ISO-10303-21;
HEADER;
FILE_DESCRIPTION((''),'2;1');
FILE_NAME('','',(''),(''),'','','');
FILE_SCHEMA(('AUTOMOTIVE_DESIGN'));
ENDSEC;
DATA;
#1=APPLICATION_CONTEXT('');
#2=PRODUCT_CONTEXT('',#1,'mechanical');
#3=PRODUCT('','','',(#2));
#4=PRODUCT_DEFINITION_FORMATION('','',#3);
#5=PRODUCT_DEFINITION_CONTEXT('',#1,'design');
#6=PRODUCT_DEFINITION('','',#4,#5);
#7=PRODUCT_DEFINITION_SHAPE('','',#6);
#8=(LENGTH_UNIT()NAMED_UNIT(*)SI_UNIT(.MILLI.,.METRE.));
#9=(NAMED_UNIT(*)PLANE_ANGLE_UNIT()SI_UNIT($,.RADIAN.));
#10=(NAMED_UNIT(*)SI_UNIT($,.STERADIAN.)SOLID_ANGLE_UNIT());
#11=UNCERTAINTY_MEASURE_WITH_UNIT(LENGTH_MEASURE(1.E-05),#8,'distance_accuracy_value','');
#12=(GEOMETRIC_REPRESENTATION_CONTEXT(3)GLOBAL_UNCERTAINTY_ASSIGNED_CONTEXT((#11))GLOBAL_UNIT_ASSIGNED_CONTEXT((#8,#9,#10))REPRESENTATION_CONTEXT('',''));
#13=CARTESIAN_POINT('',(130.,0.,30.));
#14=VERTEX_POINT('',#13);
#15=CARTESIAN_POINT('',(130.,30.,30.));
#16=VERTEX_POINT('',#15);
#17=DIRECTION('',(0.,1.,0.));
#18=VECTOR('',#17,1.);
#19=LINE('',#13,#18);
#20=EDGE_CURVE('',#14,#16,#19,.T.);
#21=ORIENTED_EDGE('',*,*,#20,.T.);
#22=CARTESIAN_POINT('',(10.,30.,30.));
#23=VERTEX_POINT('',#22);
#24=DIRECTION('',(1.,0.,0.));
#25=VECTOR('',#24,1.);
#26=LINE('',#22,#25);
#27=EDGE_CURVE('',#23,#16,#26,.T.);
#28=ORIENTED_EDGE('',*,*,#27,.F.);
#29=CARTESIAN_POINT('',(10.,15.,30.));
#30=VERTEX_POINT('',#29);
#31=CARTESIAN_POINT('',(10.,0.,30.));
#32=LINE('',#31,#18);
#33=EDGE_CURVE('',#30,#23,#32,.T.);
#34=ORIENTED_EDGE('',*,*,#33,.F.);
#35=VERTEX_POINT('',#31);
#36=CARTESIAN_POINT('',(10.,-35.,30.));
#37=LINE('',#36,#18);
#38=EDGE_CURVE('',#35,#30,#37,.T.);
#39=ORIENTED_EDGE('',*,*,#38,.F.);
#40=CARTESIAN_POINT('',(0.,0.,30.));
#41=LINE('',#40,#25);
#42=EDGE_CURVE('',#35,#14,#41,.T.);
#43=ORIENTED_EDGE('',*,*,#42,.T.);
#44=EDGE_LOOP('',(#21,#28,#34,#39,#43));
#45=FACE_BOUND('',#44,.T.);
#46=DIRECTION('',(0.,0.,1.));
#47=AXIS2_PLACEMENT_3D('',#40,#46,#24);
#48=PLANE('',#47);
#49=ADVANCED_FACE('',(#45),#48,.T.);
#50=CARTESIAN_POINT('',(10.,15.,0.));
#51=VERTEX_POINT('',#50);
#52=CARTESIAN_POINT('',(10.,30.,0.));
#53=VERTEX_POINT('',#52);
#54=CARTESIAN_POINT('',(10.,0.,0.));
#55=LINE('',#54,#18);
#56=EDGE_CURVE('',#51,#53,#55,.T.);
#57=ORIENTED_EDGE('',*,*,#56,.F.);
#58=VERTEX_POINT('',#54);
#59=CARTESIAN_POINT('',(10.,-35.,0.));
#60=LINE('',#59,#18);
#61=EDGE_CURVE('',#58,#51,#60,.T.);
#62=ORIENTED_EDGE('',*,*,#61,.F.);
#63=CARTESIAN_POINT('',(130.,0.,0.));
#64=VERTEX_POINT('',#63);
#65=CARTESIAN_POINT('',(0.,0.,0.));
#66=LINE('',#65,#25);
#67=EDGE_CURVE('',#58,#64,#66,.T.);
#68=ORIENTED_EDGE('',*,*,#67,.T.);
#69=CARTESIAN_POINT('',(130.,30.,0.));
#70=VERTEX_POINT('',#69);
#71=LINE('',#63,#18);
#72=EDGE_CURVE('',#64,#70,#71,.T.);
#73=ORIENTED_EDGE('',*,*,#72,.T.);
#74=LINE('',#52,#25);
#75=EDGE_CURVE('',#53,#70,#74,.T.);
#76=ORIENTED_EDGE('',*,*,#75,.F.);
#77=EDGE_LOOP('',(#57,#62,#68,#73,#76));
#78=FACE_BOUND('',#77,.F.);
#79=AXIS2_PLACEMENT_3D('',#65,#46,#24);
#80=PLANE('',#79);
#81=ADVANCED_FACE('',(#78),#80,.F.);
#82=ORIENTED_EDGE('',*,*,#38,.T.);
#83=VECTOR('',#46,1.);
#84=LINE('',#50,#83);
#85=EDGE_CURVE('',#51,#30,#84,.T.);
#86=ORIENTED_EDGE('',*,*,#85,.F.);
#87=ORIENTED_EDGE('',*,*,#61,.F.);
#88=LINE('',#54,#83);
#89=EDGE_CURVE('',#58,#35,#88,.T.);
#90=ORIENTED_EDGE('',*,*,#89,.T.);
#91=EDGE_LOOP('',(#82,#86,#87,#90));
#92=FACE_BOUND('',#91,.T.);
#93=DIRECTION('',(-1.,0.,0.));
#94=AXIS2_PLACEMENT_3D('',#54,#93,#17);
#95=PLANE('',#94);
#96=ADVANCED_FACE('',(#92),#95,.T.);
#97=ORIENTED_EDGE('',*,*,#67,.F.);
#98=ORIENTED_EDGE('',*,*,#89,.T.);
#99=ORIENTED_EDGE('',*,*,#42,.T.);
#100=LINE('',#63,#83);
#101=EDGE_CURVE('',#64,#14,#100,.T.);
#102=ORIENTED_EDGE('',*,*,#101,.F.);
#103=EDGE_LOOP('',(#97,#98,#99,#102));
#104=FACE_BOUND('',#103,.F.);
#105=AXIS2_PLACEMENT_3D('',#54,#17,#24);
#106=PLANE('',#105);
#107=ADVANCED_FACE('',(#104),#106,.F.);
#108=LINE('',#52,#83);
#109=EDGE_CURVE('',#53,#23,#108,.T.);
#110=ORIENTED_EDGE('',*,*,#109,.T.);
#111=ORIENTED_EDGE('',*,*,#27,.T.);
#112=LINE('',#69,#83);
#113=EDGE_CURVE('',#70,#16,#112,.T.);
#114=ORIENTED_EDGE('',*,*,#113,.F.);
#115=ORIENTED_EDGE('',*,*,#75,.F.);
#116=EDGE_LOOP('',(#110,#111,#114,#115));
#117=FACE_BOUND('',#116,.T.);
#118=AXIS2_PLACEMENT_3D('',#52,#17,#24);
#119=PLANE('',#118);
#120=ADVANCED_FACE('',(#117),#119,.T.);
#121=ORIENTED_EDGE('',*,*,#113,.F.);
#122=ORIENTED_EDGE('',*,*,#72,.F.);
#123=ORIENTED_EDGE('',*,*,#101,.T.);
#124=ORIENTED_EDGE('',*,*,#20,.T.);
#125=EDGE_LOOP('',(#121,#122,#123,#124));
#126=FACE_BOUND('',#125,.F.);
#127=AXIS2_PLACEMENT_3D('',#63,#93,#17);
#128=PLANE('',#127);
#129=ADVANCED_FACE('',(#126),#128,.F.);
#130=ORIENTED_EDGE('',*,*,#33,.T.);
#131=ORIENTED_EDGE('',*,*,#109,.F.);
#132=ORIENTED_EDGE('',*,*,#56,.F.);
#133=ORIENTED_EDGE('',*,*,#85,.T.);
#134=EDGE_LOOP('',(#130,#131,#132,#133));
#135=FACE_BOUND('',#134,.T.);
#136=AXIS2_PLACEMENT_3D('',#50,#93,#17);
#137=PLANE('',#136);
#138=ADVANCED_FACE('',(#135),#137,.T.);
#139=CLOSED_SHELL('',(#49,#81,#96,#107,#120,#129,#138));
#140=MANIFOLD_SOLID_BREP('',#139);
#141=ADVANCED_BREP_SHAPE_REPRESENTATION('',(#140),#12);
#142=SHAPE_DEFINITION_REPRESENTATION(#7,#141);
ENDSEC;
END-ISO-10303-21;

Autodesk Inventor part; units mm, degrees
ref_plane "YZ Plane" through (0, 0, 0) normal (1, 0, 0) x (0, 1, 0)
ref_plane "XZ Plane" through (0, 0, 0) normal (0, 1, 0) x (-1, 0, 0)
ref_plane "XY Plane" through (0, 0, 0) normal (0, 0, 1) x (1, 0, 0)
ref_plane "Work Plane1" through (0, 0, 0) normal (0, 0, 1) x (1, 0, 0)
sketch "Sketch1" plane through (0, 0, 0) normal (0, 0, 1) x (1, 0, 0)
  line L0 (10, -35) -> (10, 15) projected
  line L1 (0, 0) -> (130, 0) projected
  line L2 (130, 0) -> (130, 40) projected
  line L3 (0, 40) -> (130, 40) projected
  line L4 (0, 0) -> (0, 40) projected
  line L5 (130, 0) -> (10, 0)
  line L6 (10, 0) -> (10, 30)
  line L7 (10, 30) -> (130, 30)
  line L8 (130, 30) -> (130, 0)
  point P0 (10, 0)
  dimension "d0" = 30
extrude "Extrusion1" add sketch "Sketch1" along normal blind 30 contours L0 L6 L7 L2 L1
properties part number "Coms"
